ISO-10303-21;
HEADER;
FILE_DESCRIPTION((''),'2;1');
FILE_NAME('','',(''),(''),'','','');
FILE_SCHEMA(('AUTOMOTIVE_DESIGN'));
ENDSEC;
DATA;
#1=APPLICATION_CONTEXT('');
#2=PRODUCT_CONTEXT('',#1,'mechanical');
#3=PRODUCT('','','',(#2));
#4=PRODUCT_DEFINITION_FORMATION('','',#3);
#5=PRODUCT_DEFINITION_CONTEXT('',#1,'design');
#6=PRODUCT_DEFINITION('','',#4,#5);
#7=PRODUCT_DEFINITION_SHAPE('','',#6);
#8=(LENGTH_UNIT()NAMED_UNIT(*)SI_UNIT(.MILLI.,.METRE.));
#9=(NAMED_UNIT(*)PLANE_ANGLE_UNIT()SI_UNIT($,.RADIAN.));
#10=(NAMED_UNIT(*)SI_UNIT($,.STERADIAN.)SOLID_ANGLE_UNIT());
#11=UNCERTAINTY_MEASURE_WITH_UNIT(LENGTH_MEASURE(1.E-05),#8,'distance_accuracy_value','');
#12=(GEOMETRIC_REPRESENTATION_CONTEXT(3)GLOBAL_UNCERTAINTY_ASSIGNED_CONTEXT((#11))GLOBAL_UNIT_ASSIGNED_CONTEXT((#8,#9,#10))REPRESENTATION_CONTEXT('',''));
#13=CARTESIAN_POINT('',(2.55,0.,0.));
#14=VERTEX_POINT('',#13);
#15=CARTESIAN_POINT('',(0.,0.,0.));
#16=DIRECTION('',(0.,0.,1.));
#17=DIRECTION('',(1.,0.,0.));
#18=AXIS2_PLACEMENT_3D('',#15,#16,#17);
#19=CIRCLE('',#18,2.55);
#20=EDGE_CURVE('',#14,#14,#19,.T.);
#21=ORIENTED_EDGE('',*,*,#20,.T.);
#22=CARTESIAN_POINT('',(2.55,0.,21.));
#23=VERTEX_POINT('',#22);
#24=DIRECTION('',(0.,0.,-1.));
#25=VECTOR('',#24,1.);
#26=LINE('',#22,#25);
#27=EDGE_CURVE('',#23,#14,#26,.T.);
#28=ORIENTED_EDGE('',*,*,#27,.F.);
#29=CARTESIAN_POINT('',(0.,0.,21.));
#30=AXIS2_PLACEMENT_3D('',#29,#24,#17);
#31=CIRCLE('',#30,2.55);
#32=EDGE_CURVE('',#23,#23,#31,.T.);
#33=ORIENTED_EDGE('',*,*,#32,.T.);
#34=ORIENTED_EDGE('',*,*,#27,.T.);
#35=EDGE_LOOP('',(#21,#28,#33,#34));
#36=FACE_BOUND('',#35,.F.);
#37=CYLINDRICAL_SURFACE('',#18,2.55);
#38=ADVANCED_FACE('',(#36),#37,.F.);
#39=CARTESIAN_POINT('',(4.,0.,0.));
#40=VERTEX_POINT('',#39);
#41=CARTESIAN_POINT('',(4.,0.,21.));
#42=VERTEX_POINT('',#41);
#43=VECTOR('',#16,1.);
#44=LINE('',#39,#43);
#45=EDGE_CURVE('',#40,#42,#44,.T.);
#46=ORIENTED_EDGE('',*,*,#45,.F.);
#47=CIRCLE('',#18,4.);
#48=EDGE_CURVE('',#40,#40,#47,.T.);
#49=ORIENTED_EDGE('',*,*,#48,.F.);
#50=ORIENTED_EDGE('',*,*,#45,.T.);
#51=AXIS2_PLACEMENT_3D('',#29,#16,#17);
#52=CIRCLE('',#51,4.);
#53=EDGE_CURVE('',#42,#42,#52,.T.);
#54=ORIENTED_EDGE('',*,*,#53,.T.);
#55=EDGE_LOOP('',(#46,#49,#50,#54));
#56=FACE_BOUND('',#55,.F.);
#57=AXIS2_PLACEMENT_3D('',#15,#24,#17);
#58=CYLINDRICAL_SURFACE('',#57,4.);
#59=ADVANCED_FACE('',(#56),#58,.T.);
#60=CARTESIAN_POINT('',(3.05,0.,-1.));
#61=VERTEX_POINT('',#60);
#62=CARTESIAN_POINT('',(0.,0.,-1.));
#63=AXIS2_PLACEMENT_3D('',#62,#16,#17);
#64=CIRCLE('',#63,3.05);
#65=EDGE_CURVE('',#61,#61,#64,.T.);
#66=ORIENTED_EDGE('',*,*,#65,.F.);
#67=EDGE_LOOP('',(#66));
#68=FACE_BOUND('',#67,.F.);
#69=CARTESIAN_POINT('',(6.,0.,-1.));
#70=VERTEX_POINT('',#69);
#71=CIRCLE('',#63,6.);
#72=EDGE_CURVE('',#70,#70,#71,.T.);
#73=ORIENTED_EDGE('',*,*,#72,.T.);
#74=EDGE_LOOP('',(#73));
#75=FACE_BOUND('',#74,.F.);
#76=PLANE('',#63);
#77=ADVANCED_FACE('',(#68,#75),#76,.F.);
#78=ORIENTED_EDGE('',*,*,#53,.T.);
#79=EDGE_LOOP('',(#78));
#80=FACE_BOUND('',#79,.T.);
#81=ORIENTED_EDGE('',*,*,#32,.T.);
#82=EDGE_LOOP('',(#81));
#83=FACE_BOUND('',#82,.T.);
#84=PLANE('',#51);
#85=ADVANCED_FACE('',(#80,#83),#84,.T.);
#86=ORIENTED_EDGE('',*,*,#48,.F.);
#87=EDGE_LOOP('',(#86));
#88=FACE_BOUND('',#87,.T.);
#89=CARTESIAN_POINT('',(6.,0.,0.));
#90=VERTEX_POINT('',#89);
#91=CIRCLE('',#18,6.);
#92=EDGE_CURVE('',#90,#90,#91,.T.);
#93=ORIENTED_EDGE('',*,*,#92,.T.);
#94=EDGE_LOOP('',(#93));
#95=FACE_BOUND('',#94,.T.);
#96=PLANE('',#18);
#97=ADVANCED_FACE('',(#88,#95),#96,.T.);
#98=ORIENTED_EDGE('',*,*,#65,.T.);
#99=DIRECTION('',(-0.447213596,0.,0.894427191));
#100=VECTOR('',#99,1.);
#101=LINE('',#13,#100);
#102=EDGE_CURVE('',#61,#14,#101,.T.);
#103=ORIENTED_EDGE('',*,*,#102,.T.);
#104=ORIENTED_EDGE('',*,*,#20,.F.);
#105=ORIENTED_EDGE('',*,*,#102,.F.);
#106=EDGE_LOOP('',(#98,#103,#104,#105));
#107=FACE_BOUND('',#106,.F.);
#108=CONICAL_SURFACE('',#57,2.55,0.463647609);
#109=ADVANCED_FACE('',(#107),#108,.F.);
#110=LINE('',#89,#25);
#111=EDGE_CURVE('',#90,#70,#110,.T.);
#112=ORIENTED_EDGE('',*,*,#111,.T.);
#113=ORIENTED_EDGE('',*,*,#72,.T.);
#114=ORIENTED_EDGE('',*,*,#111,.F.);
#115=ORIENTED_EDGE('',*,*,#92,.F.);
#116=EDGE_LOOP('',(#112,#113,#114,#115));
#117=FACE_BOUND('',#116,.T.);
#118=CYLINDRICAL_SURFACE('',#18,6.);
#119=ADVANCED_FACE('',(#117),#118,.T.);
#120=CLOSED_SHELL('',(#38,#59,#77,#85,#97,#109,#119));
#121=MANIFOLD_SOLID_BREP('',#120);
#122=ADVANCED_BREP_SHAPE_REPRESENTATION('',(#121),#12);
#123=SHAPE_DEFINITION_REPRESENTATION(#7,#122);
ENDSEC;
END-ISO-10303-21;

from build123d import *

# Parameters (mm, degrees)
SKETCH026_R          = 6
PAD012_DEPTH         = 1
SKETCH027_R          = 4
PAD013_DEPTH         = 21
SKETCH028_R          = 2.55
POCKET010_DEPTH      = 1.001
POCKET010_DEPTH_BACK = 21.001
CHAMFER_SIZE2        = 1
CHAMFER_SIZE         = 0.5


with BuildPart() as part:
    # Sketch026 → Pad012 (new body)
    with BuildSketch(Plane.XY):
        Circle(SKETCH026_R)
    extrude(amount=-PAD012_DEPTH)

    # Sketch027 → Pad013 (join)
    with BuildSketch(Plane.XY):
        Circle(SKETCH027_R)
    extrude(amount=PAD013_DEPTH)

    # Sketch028 → Pocket010 (cut, two sides)
    with BuildSketch(Plane.XY) as pocket010_sk:
        Circle(SKETCH028_R)
    extrude(amount=-POCKET010_DEPTH, mode=Mode.SUBTRACT)
    extrude(pocket010_sk.sketch, amount=POCKET010_DEPTH_BACK, mode=Mode.SUBTRACT)

    # Chamfer
    chamfer_edges = [part.edges().sort_by_distance(p)[0] for p in [
        (-2.55, 0, -1),
    ]]
    chamfer_side = part.faces().sort_by_distance((-5.830294, 0, -1))[0]
    chamfer(chamfer_edges, length=CHAMFER_SIZE, length2=CHAMFER_SIZE2, reference=chamfer_side)


solid = part.part
